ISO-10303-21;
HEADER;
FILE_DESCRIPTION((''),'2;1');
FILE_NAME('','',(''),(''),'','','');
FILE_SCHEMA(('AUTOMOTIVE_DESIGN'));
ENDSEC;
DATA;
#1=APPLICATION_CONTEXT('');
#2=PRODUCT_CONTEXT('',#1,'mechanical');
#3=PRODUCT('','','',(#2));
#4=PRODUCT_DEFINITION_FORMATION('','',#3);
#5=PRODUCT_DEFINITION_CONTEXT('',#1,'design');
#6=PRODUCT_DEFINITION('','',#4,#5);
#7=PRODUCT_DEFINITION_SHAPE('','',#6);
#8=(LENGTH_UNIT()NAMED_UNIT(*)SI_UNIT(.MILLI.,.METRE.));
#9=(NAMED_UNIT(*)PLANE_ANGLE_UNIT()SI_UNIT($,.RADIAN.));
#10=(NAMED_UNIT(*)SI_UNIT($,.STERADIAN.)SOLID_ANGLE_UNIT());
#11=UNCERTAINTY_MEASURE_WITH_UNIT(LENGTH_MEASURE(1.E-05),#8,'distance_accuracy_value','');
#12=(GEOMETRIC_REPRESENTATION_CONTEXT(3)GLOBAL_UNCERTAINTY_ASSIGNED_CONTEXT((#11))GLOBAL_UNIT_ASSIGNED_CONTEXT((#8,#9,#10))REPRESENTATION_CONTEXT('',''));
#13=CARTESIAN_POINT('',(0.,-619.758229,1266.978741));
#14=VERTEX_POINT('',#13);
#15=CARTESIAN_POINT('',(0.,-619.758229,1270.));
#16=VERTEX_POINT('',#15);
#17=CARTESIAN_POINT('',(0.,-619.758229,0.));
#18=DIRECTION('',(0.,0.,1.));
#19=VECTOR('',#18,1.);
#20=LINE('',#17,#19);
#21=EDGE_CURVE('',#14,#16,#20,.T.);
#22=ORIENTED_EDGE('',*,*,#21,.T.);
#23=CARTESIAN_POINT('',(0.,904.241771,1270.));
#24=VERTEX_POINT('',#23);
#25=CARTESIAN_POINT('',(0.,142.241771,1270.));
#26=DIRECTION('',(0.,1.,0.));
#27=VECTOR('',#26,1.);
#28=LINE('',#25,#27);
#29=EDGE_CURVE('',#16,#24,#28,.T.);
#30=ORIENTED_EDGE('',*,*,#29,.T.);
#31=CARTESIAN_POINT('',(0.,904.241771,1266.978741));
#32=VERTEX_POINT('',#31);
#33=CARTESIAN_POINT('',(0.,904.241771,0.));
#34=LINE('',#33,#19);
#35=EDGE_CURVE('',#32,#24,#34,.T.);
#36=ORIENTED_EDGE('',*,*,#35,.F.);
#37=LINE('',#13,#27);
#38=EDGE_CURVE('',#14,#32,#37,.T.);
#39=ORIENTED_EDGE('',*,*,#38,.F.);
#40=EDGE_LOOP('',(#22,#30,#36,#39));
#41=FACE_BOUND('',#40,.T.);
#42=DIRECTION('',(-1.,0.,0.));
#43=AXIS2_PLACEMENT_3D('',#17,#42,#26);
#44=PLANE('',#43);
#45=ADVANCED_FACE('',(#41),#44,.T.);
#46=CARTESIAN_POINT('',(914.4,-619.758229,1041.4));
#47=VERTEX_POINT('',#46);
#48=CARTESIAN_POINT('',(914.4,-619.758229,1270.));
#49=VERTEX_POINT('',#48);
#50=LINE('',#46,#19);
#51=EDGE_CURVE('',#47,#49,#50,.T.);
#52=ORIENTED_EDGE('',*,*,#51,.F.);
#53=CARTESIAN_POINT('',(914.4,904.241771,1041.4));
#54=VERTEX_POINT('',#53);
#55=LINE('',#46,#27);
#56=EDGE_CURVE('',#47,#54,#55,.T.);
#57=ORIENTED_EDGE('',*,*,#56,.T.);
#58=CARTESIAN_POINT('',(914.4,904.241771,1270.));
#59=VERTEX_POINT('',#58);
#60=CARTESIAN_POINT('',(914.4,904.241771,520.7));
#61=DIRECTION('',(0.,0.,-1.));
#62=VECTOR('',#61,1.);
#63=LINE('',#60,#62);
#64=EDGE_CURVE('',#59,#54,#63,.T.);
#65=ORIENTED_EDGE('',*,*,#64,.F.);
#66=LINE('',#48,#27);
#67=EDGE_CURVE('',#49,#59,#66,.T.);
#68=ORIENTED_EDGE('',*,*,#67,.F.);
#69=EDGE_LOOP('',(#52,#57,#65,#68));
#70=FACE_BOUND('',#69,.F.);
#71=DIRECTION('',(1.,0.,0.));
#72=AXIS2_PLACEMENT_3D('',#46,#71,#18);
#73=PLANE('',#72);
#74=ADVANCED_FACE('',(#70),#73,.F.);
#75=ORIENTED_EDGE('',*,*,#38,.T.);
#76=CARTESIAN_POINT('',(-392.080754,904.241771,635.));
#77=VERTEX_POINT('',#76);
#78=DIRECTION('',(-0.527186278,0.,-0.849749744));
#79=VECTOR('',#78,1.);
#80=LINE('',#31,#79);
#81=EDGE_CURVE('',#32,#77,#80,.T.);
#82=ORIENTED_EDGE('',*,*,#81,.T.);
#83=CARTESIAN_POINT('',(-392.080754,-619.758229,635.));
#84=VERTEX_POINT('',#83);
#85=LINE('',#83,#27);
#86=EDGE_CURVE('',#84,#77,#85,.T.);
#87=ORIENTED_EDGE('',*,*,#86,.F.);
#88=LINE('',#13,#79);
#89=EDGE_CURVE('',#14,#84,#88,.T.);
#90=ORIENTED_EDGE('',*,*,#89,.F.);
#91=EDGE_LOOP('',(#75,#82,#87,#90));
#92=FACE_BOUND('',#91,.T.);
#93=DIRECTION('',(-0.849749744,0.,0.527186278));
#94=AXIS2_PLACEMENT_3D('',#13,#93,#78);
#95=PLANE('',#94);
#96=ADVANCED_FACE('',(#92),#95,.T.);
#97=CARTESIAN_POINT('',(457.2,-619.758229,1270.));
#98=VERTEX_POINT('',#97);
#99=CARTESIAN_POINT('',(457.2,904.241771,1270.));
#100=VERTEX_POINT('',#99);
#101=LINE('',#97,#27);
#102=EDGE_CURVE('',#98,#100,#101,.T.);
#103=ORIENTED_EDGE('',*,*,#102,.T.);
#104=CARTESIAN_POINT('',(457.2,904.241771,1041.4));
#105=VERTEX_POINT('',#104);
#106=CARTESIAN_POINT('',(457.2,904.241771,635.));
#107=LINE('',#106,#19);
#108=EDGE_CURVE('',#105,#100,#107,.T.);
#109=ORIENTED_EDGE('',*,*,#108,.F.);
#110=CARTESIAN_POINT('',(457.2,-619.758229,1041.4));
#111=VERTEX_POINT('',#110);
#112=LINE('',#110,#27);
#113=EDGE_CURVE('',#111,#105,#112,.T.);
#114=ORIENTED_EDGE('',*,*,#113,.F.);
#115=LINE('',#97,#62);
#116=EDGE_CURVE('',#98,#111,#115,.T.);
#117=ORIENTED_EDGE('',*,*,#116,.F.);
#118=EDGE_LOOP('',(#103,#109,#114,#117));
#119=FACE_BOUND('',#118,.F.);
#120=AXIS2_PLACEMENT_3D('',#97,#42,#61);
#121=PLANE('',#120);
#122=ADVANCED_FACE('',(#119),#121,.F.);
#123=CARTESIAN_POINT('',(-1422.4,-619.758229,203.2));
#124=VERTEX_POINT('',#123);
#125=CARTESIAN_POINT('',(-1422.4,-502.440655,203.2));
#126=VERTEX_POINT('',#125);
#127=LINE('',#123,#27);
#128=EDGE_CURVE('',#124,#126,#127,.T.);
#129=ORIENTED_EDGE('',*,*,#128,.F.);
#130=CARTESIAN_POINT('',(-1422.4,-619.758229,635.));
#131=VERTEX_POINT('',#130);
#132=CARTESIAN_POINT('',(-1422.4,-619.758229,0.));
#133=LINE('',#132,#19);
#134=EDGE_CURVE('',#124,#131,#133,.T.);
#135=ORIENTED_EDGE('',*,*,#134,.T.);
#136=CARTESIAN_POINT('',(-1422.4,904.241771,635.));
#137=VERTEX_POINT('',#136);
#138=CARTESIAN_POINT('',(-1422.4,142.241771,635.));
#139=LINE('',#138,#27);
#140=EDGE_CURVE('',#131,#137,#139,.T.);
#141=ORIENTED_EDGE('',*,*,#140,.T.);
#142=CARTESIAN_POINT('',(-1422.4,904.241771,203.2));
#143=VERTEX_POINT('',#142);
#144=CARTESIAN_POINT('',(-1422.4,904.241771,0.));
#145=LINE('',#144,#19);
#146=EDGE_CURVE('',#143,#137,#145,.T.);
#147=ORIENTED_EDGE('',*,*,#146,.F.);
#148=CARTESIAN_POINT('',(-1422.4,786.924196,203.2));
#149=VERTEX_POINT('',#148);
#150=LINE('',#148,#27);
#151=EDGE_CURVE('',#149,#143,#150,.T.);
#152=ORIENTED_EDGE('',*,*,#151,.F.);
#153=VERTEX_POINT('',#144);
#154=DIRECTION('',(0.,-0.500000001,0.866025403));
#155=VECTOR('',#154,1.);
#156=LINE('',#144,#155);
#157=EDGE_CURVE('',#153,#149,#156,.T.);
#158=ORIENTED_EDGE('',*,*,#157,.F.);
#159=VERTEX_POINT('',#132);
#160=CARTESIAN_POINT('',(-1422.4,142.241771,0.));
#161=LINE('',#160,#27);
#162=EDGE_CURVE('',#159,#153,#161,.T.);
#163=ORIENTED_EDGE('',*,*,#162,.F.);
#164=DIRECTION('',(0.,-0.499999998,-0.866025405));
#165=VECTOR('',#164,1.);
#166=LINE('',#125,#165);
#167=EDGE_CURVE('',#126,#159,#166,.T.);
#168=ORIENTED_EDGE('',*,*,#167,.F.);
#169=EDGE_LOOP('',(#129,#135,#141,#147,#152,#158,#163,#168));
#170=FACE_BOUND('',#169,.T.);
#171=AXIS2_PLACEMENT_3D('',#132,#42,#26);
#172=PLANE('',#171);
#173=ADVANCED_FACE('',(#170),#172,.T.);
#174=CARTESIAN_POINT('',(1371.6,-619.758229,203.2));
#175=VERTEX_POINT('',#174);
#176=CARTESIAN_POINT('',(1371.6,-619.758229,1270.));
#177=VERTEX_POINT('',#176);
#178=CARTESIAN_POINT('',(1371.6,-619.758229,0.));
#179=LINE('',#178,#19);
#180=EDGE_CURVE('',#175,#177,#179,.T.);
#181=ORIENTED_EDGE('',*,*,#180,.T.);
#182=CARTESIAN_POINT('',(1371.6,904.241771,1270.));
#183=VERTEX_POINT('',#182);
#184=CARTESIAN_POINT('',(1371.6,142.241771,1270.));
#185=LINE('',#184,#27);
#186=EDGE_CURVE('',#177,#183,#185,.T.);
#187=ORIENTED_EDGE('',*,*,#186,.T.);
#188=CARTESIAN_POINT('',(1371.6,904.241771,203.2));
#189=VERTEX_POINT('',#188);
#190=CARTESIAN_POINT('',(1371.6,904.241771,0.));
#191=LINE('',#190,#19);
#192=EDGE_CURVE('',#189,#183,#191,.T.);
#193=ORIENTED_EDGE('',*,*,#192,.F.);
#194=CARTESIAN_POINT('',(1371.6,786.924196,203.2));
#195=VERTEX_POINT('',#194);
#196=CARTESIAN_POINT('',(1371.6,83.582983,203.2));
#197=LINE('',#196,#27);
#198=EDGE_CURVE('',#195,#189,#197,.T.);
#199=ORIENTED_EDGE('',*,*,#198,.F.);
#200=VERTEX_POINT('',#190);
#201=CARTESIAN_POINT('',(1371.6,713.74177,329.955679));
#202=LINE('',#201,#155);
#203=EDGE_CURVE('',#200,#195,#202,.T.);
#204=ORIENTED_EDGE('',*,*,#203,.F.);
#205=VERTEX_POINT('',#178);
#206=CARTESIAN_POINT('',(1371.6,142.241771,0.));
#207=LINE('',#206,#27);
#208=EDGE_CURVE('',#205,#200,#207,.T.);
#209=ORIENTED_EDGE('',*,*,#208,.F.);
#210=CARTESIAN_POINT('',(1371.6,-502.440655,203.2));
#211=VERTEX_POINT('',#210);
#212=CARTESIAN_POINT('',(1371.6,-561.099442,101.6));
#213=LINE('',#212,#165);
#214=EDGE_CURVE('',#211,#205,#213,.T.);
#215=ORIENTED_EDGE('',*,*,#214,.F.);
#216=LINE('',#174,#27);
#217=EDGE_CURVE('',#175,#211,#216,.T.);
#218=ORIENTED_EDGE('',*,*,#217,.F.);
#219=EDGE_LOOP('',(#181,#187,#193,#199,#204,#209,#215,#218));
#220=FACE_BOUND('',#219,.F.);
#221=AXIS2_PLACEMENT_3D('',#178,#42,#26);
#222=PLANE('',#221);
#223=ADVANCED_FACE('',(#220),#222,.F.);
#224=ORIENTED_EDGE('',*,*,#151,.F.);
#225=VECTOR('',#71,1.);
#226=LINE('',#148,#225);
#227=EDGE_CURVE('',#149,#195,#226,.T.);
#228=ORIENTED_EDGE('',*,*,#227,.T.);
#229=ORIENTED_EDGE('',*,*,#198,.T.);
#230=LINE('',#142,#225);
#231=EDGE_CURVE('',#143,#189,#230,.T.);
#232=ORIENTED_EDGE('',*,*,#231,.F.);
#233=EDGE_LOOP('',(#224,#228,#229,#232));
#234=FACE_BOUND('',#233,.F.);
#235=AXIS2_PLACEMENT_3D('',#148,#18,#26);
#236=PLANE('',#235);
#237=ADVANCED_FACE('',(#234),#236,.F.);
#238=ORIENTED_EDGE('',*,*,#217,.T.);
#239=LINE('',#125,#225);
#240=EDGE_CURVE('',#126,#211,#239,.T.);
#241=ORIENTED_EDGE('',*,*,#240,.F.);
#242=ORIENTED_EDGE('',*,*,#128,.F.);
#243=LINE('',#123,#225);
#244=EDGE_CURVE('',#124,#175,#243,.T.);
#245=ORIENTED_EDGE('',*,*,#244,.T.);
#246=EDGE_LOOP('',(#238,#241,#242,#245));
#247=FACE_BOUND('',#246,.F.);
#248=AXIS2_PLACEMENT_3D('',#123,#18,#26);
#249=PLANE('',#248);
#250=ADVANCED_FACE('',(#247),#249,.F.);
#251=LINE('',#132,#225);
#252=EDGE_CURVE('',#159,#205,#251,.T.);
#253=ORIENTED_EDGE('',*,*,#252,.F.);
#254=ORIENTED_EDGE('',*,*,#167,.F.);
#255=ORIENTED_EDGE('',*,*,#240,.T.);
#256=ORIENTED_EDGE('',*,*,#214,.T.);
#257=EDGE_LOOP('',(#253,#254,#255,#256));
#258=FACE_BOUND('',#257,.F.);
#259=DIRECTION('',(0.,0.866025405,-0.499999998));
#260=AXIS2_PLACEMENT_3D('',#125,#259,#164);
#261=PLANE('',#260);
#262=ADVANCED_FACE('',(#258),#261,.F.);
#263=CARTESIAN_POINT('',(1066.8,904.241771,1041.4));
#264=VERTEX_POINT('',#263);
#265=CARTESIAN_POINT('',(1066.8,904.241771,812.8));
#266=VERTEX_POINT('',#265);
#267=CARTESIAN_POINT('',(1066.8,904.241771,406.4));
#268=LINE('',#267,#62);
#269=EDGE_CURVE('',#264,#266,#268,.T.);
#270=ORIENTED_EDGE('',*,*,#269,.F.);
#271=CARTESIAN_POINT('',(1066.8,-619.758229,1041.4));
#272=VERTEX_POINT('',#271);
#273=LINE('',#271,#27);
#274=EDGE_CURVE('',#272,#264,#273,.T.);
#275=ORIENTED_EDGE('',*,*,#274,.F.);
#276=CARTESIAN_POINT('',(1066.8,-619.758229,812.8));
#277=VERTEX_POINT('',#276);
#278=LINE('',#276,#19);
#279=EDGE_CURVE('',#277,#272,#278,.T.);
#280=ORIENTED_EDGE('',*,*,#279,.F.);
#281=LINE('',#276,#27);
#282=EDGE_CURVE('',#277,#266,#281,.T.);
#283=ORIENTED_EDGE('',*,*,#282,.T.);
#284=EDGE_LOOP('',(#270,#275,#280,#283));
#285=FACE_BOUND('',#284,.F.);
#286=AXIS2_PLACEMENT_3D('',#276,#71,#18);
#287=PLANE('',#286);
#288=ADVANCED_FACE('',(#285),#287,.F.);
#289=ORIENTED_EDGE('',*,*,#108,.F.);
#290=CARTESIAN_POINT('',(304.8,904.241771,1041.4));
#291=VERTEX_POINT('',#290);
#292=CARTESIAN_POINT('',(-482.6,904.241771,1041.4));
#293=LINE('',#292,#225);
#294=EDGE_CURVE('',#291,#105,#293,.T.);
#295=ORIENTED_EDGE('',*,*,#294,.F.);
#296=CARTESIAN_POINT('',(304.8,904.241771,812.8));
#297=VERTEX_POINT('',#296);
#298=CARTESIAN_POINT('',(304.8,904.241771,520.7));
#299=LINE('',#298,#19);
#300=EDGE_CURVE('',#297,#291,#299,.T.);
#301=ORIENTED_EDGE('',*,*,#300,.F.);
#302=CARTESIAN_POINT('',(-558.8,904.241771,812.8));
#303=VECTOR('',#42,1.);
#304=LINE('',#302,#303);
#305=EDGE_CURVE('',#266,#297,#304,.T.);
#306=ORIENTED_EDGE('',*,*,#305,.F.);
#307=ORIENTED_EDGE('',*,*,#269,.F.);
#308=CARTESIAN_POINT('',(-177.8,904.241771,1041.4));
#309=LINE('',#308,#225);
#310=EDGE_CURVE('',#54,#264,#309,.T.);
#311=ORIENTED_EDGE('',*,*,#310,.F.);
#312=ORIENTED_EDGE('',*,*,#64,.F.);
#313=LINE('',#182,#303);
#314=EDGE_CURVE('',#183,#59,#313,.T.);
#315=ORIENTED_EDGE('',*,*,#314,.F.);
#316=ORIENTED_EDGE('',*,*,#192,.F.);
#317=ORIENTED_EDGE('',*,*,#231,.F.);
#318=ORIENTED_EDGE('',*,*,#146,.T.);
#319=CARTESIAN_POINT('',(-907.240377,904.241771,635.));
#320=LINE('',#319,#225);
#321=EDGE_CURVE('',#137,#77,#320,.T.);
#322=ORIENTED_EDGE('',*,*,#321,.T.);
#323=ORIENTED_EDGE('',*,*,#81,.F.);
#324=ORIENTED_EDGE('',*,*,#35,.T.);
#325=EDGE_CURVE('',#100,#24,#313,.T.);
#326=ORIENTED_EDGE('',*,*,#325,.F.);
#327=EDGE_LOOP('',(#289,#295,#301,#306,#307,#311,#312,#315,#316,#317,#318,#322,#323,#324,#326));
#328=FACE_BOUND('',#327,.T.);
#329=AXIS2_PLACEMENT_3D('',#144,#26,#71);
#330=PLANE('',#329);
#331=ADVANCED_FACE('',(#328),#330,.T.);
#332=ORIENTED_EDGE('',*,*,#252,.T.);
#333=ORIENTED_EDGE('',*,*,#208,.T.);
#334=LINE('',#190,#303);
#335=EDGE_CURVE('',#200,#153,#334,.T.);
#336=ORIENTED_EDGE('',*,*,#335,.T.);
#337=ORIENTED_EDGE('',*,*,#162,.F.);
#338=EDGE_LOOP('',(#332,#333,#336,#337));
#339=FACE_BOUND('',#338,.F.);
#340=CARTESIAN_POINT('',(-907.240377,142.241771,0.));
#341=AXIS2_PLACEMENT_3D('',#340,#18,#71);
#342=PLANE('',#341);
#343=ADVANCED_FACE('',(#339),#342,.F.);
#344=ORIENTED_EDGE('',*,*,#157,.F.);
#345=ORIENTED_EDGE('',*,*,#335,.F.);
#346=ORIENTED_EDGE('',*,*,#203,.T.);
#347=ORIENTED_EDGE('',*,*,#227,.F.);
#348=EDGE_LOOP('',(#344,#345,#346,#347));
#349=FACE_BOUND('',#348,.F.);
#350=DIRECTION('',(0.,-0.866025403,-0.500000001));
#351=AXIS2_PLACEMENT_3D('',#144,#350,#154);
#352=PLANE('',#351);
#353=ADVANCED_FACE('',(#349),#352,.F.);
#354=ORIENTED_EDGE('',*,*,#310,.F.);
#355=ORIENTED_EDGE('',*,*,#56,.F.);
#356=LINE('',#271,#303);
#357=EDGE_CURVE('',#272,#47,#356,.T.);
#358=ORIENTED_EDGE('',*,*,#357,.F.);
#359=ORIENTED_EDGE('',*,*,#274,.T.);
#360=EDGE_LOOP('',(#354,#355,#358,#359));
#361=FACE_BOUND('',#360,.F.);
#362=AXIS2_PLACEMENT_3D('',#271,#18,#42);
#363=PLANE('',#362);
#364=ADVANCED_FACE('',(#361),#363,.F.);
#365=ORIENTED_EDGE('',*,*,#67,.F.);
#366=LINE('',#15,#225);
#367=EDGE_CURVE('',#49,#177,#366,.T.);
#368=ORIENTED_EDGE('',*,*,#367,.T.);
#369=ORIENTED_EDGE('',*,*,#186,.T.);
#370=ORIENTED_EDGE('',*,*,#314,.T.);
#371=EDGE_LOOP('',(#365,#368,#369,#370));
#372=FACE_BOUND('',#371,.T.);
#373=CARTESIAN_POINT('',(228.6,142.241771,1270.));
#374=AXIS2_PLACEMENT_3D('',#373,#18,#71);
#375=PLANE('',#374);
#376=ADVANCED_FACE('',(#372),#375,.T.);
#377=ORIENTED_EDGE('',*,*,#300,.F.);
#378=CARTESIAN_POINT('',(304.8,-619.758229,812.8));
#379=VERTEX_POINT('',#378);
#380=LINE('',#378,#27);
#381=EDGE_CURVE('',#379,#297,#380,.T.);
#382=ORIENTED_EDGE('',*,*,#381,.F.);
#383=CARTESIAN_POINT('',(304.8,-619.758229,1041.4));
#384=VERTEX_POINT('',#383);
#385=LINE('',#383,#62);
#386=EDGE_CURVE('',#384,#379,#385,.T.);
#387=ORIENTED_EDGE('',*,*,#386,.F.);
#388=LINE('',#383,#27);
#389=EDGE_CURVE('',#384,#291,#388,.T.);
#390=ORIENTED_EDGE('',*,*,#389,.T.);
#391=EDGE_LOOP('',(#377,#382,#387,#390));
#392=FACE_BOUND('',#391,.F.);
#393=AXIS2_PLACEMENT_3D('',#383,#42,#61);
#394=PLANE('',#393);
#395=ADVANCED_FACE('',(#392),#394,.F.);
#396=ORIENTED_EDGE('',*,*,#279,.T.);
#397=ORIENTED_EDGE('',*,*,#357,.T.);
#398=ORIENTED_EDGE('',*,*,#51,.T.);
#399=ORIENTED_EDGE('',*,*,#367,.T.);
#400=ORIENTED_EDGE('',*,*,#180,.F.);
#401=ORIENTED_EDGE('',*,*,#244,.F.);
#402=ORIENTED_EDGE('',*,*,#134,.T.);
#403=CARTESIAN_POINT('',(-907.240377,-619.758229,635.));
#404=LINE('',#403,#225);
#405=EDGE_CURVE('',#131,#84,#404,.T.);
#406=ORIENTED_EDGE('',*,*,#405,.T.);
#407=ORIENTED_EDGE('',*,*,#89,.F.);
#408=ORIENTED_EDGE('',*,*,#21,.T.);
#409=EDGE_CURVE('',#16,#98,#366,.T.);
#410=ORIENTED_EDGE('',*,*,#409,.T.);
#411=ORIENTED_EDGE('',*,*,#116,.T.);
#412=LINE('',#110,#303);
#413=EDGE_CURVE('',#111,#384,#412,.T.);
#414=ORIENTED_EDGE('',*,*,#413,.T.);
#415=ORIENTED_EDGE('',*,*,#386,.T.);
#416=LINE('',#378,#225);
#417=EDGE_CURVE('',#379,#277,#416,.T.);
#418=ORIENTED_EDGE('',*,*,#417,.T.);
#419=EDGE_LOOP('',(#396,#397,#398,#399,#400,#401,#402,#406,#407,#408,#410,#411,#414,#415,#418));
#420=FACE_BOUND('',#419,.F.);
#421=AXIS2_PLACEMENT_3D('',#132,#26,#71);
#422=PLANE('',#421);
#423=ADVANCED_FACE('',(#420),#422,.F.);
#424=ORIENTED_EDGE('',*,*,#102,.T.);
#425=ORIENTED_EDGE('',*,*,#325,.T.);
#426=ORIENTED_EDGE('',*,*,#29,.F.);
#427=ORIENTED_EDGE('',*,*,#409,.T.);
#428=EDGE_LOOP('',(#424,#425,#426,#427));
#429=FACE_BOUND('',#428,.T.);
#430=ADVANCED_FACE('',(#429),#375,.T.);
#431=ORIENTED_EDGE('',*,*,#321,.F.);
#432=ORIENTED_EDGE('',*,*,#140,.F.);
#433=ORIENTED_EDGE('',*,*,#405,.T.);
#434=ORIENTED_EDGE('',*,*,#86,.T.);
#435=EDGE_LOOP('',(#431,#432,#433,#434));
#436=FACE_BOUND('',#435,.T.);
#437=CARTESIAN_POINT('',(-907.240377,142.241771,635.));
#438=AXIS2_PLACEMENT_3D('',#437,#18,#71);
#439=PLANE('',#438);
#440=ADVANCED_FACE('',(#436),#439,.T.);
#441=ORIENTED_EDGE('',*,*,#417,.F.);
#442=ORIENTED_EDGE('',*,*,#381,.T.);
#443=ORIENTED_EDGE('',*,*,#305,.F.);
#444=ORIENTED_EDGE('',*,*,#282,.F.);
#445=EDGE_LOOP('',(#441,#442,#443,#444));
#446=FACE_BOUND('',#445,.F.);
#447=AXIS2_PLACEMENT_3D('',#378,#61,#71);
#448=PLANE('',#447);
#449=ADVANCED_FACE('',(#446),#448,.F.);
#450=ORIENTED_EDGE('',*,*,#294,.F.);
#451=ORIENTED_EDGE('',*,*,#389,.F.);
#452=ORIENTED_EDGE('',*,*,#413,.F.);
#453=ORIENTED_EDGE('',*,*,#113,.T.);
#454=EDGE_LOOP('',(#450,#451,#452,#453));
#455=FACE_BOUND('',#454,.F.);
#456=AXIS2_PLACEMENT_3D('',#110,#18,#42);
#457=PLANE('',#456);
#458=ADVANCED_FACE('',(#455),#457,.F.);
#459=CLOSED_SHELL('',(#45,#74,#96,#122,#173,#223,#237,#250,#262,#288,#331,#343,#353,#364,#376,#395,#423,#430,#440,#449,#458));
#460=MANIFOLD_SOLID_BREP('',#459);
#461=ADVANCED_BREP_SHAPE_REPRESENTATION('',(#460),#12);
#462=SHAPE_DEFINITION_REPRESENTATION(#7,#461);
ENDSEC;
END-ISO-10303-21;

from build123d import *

# Parameters (mm, degrees)
F0_W      = 1030.319246
F0_H      = 1524
F1_DEPTH  = 635
F0_W_2    = 457.2
F2_DEPTH  = 1270
F0_W_3    = 392.080754
F3_DEPTH  = 635
F5_DEPTH  = 1524
F8_DEPTH  = 2794.001
F9_DEPTH  = 2794.001
F11_DEPTH = 1524.001


with BuildPart() as f1:
    # F0 (on Top) → F1 (new body)
    with BuildSketch(Plane.XY):
        with Locations((-907.240377, 142.241771)):
            Rectangle(F0_W, F0_H)
    extrude(amount=F1_DEPTH)


with BuildPart() as f2:
    # F0 (on Top) → F2 (new body)
    with BuildSketch(Plane.XY):
        with Locations((228.6, 142.241771)):
            Rectangle(F0_W_2, F0_H)
        with Locations((685.8, 142.241771)):
            Rectangle(F0_W_2, F0_H)
        with Locations((1143, 142.241771)):
            Rectangle(F0_W_2, F0_H)
    extrude(amount=F2_DEPTH)


with BuildPart() as f3:
    # F0 (on Top) → F3 (new body)
    with BuildSketch(Plane.XY):
        with Locations((-196.040377, 142.241771)):
            Rectangle(F0_W_3, F0_H)
    extrude(amount=F3_DEPTH)


with BuildPart() as f5:
    # F4 (on face) → F5 (new body)
    with BuildSketch(Plane.XZ.offset(619.758229)):
        Polygon((0, 1266.978741), (-392.080754, 635), (0, 635), align=None)
    extrude(amount=-F5_DEPTH)


with BuildPart() as f2_1:
    add(f2.part)

    # F7: union F5, F3, F1
    add(f5.part)
    add(f3.part)
    add(f1.part)

    # F6 (on face) → F8 (cut, through all)
    with BuildSketch(Plane(origin=(-1422.4, 0, 0), x_dir=(0, -1, 0), z_dir=(-1, 0, 0))):
        Polygon((502.440655, 203.2), (619.758229, 0), (619.758229, 203.2), align=None)
    extrude(amount=-F8_DEPTH, mode=Mode.SUBTRACT)

    # F6 (on face) → F9 (cut, through all)
    with BuildSketch(Plane(origin=(-1422.4, 0, 0), x_dir=(0, -1, 0), z_dir=(-1, 0, 0))):
        Polygon((-904.241771, 203.2), (-904.241771, 0), (-786.924196, 203.2), align=None)
    extrude(amount=-F9_DEPTH, mode=Mode.SUBTRACT)

    # F10 (on face) → F11 (cut, through all)
    with BuildSketch(Plane.XZ.offset(619.758229)):
        Polygon((914.4, 1041.4), (914.4, 1270), (457.2, 1270), (457.2, 1041.4), (304.8, 1041.4), (304.8, 812.8), (1066.8, 812.8), (1066.8, 1041.4), align=None)
    extrude(amount=-F11_DEPTH, mode=Mode.SUBTRACT)


solid = f2_1.part
